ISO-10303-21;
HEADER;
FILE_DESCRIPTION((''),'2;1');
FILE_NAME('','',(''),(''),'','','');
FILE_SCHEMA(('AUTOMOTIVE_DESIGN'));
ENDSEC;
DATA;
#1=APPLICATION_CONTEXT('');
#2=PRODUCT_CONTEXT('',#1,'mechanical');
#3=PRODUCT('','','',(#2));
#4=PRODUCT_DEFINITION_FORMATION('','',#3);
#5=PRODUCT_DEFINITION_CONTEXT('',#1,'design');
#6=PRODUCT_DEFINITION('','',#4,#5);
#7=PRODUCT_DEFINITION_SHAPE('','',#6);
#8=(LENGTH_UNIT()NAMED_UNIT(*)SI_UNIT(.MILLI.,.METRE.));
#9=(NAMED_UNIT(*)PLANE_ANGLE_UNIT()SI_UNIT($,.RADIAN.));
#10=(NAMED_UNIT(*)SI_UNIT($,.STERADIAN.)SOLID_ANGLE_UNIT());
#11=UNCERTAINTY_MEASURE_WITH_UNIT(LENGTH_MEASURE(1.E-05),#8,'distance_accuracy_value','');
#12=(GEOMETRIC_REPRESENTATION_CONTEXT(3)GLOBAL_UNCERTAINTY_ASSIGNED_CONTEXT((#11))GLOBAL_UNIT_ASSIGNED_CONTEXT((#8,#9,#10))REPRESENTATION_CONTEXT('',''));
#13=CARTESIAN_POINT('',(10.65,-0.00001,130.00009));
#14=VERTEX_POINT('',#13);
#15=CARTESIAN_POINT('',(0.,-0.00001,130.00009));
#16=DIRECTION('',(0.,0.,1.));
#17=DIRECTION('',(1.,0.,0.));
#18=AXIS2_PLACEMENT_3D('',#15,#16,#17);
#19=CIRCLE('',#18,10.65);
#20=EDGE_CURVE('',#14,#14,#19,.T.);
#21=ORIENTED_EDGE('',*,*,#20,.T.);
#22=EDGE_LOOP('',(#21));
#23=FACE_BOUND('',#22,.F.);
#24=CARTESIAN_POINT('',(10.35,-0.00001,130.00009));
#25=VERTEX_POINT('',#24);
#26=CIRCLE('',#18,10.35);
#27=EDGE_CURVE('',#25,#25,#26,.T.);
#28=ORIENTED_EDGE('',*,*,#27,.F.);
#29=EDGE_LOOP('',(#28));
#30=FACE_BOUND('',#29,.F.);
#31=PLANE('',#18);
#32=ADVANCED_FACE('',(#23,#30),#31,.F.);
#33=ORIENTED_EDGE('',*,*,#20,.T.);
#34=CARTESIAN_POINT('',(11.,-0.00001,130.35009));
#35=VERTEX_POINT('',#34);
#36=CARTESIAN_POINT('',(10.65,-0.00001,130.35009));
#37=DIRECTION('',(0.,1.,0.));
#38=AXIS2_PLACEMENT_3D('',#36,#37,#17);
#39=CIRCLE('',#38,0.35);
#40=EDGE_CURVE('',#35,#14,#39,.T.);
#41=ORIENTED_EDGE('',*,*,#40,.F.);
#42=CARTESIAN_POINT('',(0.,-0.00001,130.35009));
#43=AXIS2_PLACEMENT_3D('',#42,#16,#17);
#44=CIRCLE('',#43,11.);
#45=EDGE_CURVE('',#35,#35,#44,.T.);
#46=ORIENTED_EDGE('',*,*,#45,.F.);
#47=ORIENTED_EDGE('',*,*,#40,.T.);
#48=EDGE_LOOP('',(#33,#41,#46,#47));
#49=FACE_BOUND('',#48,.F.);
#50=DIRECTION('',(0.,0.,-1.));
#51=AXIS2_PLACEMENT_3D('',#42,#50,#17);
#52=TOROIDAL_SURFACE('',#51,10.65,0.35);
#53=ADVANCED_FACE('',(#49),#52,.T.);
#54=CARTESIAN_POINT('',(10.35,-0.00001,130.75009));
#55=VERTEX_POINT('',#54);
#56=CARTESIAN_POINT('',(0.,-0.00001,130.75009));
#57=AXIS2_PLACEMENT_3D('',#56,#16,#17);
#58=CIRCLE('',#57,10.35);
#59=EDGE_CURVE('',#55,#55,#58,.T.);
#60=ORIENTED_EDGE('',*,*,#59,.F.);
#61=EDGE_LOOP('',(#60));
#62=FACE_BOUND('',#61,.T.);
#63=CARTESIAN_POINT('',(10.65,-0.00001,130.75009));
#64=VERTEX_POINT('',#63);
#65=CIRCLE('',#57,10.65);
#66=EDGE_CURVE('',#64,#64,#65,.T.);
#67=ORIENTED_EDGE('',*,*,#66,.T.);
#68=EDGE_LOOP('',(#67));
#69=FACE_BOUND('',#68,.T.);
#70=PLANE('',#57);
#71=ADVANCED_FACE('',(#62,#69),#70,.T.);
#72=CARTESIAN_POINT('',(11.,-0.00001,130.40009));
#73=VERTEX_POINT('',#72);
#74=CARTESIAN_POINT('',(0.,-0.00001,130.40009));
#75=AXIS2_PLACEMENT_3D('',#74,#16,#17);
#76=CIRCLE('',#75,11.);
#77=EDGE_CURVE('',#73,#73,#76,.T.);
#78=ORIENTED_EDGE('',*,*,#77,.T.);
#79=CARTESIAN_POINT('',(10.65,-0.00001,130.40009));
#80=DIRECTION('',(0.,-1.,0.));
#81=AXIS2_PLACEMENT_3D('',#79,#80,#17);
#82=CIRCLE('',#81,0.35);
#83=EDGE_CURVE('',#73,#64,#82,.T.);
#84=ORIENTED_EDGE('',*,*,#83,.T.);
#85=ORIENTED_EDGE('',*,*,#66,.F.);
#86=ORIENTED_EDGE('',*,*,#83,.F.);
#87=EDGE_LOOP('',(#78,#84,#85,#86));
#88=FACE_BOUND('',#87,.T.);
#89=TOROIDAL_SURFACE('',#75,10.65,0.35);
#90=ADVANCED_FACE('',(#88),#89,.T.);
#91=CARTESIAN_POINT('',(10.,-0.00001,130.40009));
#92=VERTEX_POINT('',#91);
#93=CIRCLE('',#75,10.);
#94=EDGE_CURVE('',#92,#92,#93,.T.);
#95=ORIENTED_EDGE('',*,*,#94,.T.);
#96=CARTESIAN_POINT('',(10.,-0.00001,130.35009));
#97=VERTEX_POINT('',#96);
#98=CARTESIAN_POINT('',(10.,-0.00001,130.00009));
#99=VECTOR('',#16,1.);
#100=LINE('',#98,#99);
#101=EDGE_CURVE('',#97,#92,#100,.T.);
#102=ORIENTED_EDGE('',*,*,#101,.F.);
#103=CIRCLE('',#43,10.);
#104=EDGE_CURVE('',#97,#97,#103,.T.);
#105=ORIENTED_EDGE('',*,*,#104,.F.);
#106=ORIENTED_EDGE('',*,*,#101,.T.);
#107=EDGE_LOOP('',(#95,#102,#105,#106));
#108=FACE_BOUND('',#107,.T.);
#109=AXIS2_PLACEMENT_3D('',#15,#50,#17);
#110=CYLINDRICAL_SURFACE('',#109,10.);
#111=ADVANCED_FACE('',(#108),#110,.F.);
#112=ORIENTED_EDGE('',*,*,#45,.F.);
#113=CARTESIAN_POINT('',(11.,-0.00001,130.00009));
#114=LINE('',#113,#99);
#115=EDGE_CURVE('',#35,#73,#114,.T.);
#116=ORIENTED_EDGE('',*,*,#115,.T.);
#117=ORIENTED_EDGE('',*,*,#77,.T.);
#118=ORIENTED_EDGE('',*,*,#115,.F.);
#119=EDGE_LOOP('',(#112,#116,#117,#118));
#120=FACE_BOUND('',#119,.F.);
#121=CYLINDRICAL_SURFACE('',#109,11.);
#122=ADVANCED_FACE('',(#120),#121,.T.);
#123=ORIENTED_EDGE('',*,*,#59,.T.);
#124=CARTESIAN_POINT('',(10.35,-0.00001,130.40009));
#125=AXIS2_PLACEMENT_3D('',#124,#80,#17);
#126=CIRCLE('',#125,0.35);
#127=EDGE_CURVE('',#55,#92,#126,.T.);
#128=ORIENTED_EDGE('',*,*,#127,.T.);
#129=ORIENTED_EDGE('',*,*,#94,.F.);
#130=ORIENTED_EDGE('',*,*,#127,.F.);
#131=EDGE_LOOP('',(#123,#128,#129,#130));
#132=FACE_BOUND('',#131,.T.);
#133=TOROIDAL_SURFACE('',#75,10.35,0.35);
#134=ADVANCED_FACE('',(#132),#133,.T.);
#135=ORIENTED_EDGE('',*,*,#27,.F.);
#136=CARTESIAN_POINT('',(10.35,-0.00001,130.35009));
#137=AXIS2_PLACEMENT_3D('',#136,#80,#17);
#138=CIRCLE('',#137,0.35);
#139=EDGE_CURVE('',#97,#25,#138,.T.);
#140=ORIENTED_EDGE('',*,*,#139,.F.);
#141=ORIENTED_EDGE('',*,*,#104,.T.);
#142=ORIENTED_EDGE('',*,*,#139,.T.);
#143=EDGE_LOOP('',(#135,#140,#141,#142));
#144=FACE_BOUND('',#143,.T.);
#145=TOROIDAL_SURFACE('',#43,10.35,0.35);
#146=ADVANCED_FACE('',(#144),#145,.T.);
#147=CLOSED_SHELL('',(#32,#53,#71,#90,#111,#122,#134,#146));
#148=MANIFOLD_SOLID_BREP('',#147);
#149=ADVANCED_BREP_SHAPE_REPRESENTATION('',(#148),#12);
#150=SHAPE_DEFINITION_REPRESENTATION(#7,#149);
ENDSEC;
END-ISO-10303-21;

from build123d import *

# Parameters (mm, degrees)
SKETCH016_R   = 11
SKETCH016_R_2 = 10
PAD006_DEPTH  = 0.75
FILLET002_R   = 0.35
FILLET003_R   = 0.35
FILLET004_R   = 0.35
FILLET005_R   = 0.35


with BuildPart() as part:
    # Sketch016 → Pad006 (new body)
    with BuildSketch(Plane.XY):
        Circle(SKETCH016_R)
        Circle(SKETCH016_R_2, mode=Mode.SUBTRACT)
    extrude(amount=PAD006_DEPTH)

    # Fillet002
    fillet002_edges = [part.edges().sort_by_distance(p)[0] for p in [
        (-11, 0, 0.75),
    ]]
    fillet(fillet002_edges, radius=FILLET002_R)

    # Fillet003
    fillet003_edges = [part.edges().sort_by_distance(p)[0] for p in [
        (-11, 0, 0),
    ]]
    fillet(fillet003_edges, radius=FILLET003_R)

    # Fillet004
    fillet004_edges = [part.edges().sort_by_distance(p)[0] for p in [
        (-10, 0, 0.75),
    ]]
    fillet(fillet004_edges, radius=FILLET004_R)

    # Fillet005
    fillet005_edges = [part.edges().sort_by_distance(p)[0] for p in [
        (-10, 0, 0),
    ]]
    fillet(fillet005_edges, radius=FILLET005_R)


with BuildPart() as part_1:
    # Body004 placement: moved
    add(part.part.moved(Location((0, -1e-05, 130.00009))))


solid = part_1.part
